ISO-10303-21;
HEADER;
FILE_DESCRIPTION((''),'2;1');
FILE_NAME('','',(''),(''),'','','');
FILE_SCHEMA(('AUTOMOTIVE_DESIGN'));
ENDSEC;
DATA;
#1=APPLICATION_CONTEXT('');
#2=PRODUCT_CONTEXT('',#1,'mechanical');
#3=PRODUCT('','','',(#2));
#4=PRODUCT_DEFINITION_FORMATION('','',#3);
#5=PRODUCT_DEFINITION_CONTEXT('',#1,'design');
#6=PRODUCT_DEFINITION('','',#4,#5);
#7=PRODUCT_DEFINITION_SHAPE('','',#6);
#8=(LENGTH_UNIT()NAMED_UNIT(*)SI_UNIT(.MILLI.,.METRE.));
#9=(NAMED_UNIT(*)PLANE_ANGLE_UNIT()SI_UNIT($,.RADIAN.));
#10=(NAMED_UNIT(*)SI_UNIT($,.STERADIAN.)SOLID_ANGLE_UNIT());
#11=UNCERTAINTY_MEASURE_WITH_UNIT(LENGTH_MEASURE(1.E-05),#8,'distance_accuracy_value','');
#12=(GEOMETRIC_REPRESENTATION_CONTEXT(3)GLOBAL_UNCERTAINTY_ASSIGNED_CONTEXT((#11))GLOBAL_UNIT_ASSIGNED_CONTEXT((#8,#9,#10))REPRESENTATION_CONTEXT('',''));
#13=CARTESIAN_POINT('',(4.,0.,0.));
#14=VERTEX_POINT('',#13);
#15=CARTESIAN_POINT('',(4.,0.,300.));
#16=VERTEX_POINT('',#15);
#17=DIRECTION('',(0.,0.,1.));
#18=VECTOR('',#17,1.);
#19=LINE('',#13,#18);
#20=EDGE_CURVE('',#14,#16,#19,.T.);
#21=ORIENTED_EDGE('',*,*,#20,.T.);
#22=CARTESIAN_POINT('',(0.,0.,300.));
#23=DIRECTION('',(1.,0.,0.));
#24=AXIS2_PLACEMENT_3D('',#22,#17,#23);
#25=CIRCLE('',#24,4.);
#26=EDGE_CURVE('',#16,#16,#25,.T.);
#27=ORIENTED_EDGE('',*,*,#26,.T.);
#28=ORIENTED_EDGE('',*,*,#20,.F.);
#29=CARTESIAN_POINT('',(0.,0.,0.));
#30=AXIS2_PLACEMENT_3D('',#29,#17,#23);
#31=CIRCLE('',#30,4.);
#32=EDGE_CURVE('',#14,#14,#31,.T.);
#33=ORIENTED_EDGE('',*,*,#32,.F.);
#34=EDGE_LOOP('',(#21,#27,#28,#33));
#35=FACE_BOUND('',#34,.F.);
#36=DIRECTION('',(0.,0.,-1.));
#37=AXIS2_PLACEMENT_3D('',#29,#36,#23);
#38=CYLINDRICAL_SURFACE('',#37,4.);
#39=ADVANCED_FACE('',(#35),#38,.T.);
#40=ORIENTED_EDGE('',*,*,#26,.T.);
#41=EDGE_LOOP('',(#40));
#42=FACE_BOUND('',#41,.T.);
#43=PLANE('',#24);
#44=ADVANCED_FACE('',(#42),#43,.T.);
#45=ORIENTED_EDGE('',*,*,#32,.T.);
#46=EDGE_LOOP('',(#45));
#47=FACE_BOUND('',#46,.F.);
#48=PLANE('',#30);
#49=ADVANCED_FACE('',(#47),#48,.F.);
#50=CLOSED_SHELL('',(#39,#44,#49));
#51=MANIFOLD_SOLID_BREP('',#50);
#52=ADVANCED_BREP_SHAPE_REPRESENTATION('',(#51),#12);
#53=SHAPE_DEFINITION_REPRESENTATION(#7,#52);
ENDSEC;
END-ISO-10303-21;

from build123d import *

# Parameters (mm, degrees)
SKETCH2_R           = 4
BOSS_EXTRUDE1_DEPTH = 300


with BuildPart() as part:
    # Sketch2 → Boss-Extrude1 (new body)
    with BuildSketch(Plane.XY):
        Circle(SKETCH2_R)
    extrude(amount=BOSS_EXTRUDE1_DEPTH)


solid = part.part
